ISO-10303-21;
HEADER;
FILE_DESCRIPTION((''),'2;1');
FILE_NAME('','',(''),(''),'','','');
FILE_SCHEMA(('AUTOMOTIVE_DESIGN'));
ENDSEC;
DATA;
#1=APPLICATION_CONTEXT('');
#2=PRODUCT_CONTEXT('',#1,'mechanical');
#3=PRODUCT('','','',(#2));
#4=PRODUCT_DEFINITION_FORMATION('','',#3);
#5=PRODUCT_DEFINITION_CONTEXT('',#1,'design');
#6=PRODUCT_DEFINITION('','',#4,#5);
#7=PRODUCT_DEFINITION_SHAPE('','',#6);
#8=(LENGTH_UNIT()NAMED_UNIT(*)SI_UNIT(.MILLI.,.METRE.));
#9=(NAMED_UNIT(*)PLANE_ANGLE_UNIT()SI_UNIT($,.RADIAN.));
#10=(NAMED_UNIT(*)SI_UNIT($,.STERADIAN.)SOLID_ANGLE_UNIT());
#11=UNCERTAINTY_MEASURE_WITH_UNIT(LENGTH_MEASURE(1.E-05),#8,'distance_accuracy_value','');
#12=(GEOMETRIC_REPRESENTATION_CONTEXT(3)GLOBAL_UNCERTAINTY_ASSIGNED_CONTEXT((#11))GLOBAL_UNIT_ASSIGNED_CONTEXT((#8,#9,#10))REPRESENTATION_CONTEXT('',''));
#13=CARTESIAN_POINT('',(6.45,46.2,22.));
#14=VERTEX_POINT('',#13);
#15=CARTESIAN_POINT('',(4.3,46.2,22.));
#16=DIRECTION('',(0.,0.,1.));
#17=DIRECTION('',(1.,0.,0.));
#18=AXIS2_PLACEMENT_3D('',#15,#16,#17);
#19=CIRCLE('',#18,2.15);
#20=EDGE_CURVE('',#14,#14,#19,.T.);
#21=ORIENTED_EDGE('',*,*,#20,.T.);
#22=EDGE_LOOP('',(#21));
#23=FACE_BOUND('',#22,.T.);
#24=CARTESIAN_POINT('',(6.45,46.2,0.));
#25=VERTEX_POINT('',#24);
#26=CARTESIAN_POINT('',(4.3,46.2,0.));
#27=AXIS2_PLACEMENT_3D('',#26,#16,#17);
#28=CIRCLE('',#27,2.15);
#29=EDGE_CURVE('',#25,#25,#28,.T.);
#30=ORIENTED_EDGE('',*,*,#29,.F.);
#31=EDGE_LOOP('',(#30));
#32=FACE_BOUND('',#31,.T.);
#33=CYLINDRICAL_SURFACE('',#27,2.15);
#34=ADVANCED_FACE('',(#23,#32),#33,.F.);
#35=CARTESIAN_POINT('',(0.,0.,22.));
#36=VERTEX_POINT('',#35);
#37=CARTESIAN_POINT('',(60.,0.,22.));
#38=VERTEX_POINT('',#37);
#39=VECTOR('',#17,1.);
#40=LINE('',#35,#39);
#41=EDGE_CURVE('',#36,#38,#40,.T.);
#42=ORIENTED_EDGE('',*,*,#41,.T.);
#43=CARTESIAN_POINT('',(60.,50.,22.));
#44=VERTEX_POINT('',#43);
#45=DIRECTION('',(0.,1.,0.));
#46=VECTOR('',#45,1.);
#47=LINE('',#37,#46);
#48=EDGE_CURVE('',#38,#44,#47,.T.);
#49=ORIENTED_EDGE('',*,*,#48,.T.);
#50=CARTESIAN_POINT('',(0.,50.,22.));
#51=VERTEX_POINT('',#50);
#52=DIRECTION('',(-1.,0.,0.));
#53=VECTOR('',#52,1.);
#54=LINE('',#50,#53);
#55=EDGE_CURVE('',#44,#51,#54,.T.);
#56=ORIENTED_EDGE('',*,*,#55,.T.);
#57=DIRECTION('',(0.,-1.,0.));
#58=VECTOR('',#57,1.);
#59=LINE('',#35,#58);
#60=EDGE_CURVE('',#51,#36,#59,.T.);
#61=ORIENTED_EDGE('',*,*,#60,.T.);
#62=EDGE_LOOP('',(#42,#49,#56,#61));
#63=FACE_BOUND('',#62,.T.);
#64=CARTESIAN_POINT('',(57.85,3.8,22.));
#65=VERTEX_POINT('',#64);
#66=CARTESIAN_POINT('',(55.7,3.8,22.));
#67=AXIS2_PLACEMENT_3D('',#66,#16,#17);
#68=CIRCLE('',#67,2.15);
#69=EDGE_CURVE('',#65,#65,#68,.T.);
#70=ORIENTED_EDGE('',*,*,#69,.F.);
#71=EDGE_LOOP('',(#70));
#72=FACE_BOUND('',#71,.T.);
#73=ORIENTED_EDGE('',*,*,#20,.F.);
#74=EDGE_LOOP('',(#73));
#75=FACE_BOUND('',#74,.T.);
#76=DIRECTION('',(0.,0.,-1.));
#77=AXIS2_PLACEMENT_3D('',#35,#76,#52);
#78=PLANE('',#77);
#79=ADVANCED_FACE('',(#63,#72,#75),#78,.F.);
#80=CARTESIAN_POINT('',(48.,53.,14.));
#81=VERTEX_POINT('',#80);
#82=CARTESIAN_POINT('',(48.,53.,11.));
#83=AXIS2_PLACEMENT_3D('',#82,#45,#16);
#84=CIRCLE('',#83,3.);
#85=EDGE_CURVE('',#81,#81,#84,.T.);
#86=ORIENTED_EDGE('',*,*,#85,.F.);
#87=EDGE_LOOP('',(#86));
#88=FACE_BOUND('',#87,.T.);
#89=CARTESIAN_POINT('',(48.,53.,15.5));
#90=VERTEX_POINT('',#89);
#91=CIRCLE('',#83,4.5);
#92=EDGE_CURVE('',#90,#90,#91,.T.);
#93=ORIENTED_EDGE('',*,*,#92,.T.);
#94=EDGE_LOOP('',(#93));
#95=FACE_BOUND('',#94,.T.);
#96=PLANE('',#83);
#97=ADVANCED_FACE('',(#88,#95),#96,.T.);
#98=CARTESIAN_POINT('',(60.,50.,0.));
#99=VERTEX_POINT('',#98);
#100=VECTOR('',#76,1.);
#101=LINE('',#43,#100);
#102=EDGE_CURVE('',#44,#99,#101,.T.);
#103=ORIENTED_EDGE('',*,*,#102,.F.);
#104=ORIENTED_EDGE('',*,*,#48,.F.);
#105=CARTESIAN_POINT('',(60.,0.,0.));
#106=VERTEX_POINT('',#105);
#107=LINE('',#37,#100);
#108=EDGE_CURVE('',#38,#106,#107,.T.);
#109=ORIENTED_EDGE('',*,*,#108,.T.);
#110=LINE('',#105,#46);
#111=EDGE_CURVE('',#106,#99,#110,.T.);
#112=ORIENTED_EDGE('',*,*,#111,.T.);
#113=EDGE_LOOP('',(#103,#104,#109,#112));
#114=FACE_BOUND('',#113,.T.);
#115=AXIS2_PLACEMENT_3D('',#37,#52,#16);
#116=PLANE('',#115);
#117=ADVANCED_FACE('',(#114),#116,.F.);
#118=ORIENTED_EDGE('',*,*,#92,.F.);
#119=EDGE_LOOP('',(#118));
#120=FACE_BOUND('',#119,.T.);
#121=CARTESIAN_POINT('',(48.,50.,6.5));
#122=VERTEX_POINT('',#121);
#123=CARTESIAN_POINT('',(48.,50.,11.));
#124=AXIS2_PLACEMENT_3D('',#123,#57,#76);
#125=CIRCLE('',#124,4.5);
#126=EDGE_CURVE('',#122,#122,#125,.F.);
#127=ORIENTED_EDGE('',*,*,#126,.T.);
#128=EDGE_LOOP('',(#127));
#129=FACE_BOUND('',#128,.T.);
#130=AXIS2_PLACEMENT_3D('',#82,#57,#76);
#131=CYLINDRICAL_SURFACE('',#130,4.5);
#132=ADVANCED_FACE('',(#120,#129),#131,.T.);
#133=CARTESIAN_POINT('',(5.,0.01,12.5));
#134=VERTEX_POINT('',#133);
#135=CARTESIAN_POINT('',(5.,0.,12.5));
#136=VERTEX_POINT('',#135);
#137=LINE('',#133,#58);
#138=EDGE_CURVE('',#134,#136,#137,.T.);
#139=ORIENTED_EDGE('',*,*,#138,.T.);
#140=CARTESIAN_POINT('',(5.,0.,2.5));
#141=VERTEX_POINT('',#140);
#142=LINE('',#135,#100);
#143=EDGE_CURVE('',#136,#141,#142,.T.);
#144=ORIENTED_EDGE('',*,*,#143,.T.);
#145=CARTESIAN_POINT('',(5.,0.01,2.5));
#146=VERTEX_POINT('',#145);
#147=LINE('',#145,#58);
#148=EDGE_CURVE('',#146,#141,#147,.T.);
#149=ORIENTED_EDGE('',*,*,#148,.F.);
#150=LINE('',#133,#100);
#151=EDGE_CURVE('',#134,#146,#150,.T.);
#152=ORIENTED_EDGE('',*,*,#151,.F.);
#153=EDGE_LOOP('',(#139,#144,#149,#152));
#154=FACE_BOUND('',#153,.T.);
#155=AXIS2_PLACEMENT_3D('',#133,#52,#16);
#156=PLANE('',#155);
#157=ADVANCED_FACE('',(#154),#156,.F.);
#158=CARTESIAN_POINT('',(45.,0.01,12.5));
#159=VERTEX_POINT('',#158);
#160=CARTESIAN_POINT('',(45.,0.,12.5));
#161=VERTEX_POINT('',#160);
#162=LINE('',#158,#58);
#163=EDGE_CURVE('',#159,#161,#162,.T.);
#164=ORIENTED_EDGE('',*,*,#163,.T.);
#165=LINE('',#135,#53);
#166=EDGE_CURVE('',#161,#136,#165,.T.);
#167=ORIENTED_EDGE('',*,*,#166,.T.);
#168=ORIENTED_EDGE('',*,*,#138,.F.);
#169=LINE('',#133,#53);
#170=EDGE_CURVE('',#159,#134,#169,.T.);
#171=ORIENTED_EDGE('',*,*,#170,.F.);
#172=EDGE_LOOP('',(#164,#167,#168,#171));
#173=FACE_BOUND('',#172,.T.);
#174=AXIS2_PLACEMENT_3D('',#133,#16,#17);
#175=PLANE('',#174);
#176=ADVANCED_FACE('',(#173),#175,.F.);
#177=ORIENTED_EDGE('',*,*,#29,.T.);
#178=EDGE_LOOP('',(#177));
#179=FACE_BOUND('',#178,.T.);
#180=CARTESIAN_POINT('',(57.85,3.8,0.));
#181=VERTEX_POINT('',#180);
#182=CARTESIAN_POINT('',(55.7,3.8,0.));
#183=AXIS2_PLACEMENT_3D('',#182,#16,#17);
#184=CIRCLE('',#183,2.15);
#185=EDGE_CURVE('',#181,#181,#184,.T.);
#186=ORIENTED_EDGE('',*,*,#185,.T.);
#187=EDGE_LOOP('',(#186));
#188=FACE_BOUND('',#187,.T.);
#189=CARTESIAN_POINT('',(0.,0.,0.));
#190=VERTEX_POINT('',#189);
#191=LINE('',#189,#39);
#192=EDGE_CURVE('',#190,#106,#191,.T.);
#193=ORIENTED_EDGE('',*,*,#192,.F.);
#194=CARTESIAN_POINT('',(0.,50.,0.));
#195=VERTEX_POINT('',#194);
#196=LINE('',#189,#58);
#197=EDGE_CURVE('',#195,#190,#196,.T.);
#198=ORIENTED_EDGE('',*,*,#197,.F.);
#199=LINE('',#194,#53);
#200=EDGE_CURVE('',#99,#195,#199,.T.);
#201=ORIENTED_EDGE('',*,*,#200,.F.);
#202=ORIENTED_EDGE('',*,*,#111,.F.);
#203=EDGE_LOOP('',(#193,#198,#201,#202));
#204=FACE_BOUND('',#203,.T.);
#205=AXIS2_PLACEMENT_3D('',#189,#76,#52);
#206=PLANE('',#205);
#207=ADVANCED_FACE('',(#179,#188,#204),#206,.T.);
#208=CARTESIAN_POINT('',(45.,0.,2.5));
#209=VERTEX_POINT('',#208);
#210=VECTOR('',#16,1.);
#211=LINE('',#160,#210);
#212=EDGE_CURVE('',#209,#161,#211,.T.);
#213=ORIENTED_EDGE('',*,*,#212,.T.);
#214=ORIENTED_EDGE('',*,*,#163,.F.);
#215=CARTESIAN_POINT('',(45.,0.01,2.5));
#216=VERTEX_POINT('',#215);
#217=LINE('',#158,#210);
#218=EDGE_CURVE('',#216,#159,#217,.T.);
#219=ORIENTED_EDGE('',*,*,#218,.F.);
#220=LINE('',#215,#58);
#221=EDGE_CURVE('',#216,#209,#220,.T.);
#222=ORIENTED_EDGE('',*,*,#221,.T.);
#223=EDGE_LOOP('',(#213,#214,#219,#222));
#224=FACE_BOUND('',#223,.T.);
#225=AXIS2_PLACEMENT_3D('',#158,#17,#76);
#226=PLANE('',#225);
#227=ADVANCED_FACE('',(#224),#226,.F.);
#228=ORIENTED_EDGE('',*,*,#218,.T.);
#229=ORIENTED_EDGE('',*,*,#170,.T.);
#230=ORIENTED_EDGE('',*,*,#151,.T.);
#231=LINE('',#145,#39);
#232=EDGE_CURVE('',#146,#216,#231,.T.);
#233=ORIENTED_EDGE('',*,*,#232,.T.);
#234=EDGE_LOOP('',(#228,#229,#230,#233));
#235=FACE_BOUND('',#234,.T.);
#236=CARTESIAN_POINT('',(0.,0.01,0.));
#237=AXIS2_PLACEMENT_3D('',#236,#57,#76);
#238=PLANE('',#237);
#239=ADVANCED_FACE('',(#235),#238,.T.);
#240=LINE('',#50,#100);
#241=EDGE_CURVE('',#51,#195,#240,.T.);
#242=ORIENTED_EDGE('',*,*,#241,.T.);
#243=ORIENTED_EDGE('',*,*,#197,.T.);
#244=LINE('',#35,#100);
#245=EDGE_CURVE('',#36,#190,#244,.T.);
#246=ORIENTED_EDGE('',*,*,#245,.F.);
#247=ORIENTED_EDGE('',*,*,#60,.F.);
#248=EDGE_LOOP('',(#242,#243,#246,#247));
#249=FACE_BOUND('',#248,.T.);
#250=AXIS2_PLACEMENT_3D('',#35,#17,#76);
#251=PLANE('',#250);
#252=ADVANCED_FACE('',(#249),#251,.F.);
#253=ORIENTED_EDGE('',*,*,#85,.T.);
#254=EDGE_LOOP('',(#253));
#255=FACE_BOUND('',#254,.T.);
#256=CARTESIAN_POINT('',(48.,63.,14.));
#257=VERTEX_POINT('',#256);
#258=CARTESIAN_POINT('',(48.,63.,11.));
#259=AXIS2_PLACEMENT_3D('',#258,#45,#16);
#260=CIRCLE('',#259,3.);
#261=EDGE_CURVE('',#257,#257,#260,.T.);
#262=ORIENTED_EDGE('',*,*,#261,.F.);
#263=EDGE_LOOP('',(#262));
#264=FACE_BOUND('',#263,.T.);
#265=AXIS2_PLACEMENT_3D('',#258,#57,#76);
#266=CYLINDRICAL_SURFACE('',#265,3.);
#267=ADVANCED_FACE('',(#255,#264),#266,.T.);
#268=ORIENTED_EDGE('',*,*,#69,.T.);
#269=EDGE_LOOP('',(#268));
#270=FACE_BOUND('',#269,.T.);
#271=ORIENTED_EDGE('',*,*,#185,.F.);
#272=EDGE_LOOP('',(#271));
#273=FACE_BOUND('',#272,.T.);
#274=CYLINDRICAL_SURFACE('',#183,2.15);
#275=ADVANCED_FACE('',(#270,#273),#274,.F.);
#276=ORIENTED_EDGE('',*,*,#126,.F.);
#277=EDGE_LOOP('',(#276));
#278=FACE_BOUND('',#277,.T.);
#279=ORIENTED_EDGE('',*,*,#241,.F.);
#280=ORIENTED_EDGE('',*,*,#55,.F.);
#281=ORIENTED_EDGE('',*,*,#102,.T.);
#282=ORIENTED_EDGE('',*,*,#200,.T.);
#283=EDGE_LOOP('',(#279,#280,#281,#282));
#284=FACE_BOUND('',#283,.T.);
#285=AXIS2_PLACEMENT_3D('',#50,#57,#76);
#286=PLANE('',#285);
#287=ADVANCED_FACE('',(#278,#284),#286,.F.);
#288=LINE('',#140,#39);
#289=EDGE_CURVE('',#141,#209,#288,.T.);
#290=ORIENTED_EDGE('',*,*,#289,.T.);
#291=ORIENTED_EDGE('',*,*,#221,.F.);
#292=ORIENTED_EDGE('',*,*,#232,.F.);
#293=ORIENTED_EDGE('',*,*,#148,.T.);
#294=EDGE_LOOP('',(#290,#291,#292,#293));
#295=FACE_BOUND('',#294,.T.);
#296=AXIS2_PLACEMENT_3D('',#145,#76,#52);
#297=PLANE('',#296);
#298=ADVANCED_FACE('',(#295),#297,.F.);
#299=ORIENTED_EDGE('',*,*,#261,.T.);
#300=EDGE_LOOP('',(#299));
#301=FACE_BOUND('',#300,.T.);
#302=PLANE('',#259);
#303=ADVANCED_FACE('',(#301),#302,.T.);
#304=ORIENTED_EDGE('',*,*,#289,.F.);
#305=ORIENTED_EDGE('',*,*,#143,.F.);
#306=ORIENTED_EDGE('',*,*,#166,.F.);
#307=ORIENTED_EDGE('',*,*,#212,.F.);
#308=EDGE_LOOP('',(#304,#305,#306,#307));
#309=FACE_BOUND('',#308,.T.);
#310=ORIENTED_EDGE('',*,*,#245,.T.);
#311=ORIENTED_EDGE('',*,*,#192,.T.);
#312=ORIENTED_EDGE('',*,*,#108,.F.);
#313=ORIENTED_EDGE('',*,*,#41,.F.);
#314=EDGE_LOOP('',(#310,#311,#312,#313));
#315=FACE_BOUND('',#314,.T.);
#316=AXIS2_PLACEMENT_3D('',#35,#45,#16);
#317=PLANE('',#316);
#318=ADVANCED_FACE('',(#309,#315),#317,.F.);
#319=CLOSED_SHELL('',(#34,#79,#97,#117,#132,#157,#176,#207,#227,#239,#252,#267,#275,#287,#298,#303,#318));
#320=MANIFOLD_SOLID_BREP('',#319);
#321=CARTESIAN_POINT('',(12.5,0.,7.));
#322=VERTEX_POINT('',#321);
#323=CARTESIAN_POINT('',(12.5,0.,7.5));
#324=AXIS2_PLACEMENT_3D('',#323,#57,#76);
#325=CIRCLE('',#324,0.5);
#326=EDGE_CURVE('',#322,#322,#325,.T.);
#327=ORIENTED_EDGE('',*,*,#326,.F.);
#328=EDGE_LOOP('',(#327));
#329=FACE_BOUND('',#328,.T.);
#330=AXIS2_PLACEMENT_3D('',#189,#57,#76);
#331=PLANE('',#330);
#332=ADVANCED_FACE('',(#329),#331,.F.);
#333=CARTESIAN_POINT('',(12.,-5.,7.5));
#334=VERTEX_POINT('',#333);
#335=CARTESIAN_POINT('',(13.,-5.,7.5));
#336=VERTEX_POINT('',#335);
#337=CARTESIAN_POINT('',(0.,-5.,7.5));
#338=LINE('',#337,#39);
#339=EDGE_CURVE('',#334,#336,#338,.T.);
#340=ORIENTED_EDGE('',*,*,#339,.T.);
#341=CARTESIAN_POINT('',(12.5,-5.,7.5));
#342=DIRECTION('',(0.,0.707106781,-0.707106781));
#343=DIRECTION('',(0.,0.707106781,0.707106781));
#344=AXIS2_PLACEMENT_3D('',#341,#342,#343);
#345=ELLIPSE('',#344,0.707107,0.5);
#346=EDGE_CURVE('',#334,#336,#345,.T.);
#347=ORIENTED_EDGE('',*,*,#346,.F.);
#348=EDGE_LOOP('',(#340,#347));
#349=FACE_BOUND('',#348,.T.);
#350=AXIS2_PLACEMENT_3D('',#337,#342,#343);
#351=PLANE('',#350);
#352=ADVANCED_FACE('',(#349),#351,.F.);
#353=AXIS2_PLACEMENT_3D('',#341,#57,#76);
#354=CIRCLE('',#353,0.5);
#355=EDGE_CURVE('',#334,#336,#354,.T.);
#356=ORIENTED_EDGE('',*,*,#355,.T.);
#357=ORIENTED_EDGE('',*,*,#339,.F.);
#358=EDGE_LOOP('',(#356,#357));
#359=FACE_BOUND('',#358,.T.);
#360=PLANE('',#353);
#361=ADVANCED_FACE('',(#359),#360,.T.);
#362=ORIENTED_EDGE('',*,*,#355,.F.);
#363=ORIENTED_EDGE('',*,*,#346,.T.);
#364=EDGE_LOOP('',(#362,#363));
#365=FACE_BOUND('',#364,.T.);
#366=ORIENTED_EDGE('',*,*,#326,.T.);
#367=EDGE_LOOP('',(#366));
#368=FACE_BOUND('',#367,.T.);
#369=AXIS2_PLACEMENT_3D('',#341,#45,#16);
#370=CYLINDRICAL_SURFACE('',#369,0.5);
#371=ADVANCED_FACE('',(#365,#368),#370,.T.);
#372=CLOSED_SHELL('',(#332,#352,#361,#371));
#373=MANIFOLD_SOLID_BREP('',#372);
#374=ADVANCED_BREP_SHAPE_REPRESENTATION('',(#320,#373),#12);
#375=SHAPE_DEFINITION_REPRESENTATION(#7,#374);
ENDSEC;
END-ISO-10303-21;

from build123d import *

# Parameters (mm, degrees)
SKETCH_1_W          = 60
SKETCH_1_H          = 50
EXTRUDE_1_DEPTH     = 22
SKETCH_2_R          = 4.5
EXTRUDE_2_DEPTH     = 3
SKETCH_3_R          = 3
EXTRUDE_3_DEPTH     = 10
SKETCH_4_R          = 0.5
EXTRUDE_4_DEPTH     = 5
SKETCH_5_W          = 40
SKETCH_5_H          = 10
CUT_EXTRUDE_1_DEPTH = 0.01
SKETCH_6_R          = 2.15
CUT_EXTRUDE_2_DEPTH = 90.738509014
CUT_EXTRUDE_3_DEPTH = 90.738509014


with BuildPart() as part:
    # 草图1 → 凸台-拉伸1 (new body)
    with BuildSketch(Plane.XY):
        with Locations((30, 25)):
            Rectangle(SKETCH_1_W, SKETCH_1_H)
    extrude(amount=EXTRUDE_1_DEPTH)

    # 草图2 → 凸台-拉伸2 (add)
    with BuildSketch(Plane(origin=(0, 50, 0), x_dir=(1, 0, 0), z_dir=(0, 1, 0))):
        with Locations(Location((48, -11, 0), (0, 0, 90))):
            Circle(SKETCH_2_R)
    extrude(amount=EXTRUDE_2_DEPTH)

    # 草图3 → 凸台-拉伸3 (add)
    with BuildSketch(Plane(origin=(0, 53, 0), x_dir=(1, 0, 0), z_dir=(0, 1, 0))):
        with Locations(Location((48, -11, 0), (0, 0, 270))):
            Circle(SKETCH_3_R)
    extrude(amount=EXTRUDE_3_DEPTH)

    # 草图4 → 凸台-拉伸4 (add)
    with BuildSketch(Plane.XZ):
        with Locations(Location((12.5, 7.5, 0), (0, 0, 90))):
            Circle(SKETCH_4_R)
    extrude(amount=EXTRUDE_4_DEPTH)

    # 草图5 → 切除-拉伸1 (cut)
    with BuildSketch(Plane.XZ):
        with Locations((25, 7.5)):
            Rectangle(SKETCH_5_W, SKETCH_5_H)
    extrude(amount=-CUT_EXTRUDE_1_DEPTH, mode=Mode.SUBTRACT)


with BuildPart() as cut_extrude_1_piece_1:
    # of the separate pieces the step leaves, piece 1, a body of its own (cut_extrude_1_pieces)
    add(part.part.solids().sort_by_distance((0, 0, 0))[0])

    # 草图6 → 切除-拉伸2 (cut, through all)
    with BuildSketch(Plane.XY.offset(22)):
        with Locations((55.7, 3.8)):
            Circle(SKETCH_6_R)
        with Locations((4.3, 46.2)):
            Circle(SKETCH_6_R)
    extrude(amount=-CUT_EXTRUDE_2_DEPTH, mode=Mode.SUBTRACT)


with BuildPart() as cut_extrude_1_piece_2:
    # of the separate pieces the step leaves, piece 2, a body of its own (cut_extrude_1_pieces)
    add(part.part.solids().sort_by_distance((12.5, 0, 8))[0])

    # 草图7 → 切除-拉伸3 (cut, through all)
    with BuildSketch(Plane(origin=(60, 0, 0), x_dir=(0, 0, -1), z_dir=(1, 0, 0))):
        Polygon((-7.5, -5), (-8, -4.5), (-8, -5), align=None)
    extrude(amount=-CUT_EXTRUDE_3_DEPTH, mode=Mode.SUBTRACT)


solid = Compound([cut_extrude_1_piece_1.part, cut_extrude_1_piece_2.part])
